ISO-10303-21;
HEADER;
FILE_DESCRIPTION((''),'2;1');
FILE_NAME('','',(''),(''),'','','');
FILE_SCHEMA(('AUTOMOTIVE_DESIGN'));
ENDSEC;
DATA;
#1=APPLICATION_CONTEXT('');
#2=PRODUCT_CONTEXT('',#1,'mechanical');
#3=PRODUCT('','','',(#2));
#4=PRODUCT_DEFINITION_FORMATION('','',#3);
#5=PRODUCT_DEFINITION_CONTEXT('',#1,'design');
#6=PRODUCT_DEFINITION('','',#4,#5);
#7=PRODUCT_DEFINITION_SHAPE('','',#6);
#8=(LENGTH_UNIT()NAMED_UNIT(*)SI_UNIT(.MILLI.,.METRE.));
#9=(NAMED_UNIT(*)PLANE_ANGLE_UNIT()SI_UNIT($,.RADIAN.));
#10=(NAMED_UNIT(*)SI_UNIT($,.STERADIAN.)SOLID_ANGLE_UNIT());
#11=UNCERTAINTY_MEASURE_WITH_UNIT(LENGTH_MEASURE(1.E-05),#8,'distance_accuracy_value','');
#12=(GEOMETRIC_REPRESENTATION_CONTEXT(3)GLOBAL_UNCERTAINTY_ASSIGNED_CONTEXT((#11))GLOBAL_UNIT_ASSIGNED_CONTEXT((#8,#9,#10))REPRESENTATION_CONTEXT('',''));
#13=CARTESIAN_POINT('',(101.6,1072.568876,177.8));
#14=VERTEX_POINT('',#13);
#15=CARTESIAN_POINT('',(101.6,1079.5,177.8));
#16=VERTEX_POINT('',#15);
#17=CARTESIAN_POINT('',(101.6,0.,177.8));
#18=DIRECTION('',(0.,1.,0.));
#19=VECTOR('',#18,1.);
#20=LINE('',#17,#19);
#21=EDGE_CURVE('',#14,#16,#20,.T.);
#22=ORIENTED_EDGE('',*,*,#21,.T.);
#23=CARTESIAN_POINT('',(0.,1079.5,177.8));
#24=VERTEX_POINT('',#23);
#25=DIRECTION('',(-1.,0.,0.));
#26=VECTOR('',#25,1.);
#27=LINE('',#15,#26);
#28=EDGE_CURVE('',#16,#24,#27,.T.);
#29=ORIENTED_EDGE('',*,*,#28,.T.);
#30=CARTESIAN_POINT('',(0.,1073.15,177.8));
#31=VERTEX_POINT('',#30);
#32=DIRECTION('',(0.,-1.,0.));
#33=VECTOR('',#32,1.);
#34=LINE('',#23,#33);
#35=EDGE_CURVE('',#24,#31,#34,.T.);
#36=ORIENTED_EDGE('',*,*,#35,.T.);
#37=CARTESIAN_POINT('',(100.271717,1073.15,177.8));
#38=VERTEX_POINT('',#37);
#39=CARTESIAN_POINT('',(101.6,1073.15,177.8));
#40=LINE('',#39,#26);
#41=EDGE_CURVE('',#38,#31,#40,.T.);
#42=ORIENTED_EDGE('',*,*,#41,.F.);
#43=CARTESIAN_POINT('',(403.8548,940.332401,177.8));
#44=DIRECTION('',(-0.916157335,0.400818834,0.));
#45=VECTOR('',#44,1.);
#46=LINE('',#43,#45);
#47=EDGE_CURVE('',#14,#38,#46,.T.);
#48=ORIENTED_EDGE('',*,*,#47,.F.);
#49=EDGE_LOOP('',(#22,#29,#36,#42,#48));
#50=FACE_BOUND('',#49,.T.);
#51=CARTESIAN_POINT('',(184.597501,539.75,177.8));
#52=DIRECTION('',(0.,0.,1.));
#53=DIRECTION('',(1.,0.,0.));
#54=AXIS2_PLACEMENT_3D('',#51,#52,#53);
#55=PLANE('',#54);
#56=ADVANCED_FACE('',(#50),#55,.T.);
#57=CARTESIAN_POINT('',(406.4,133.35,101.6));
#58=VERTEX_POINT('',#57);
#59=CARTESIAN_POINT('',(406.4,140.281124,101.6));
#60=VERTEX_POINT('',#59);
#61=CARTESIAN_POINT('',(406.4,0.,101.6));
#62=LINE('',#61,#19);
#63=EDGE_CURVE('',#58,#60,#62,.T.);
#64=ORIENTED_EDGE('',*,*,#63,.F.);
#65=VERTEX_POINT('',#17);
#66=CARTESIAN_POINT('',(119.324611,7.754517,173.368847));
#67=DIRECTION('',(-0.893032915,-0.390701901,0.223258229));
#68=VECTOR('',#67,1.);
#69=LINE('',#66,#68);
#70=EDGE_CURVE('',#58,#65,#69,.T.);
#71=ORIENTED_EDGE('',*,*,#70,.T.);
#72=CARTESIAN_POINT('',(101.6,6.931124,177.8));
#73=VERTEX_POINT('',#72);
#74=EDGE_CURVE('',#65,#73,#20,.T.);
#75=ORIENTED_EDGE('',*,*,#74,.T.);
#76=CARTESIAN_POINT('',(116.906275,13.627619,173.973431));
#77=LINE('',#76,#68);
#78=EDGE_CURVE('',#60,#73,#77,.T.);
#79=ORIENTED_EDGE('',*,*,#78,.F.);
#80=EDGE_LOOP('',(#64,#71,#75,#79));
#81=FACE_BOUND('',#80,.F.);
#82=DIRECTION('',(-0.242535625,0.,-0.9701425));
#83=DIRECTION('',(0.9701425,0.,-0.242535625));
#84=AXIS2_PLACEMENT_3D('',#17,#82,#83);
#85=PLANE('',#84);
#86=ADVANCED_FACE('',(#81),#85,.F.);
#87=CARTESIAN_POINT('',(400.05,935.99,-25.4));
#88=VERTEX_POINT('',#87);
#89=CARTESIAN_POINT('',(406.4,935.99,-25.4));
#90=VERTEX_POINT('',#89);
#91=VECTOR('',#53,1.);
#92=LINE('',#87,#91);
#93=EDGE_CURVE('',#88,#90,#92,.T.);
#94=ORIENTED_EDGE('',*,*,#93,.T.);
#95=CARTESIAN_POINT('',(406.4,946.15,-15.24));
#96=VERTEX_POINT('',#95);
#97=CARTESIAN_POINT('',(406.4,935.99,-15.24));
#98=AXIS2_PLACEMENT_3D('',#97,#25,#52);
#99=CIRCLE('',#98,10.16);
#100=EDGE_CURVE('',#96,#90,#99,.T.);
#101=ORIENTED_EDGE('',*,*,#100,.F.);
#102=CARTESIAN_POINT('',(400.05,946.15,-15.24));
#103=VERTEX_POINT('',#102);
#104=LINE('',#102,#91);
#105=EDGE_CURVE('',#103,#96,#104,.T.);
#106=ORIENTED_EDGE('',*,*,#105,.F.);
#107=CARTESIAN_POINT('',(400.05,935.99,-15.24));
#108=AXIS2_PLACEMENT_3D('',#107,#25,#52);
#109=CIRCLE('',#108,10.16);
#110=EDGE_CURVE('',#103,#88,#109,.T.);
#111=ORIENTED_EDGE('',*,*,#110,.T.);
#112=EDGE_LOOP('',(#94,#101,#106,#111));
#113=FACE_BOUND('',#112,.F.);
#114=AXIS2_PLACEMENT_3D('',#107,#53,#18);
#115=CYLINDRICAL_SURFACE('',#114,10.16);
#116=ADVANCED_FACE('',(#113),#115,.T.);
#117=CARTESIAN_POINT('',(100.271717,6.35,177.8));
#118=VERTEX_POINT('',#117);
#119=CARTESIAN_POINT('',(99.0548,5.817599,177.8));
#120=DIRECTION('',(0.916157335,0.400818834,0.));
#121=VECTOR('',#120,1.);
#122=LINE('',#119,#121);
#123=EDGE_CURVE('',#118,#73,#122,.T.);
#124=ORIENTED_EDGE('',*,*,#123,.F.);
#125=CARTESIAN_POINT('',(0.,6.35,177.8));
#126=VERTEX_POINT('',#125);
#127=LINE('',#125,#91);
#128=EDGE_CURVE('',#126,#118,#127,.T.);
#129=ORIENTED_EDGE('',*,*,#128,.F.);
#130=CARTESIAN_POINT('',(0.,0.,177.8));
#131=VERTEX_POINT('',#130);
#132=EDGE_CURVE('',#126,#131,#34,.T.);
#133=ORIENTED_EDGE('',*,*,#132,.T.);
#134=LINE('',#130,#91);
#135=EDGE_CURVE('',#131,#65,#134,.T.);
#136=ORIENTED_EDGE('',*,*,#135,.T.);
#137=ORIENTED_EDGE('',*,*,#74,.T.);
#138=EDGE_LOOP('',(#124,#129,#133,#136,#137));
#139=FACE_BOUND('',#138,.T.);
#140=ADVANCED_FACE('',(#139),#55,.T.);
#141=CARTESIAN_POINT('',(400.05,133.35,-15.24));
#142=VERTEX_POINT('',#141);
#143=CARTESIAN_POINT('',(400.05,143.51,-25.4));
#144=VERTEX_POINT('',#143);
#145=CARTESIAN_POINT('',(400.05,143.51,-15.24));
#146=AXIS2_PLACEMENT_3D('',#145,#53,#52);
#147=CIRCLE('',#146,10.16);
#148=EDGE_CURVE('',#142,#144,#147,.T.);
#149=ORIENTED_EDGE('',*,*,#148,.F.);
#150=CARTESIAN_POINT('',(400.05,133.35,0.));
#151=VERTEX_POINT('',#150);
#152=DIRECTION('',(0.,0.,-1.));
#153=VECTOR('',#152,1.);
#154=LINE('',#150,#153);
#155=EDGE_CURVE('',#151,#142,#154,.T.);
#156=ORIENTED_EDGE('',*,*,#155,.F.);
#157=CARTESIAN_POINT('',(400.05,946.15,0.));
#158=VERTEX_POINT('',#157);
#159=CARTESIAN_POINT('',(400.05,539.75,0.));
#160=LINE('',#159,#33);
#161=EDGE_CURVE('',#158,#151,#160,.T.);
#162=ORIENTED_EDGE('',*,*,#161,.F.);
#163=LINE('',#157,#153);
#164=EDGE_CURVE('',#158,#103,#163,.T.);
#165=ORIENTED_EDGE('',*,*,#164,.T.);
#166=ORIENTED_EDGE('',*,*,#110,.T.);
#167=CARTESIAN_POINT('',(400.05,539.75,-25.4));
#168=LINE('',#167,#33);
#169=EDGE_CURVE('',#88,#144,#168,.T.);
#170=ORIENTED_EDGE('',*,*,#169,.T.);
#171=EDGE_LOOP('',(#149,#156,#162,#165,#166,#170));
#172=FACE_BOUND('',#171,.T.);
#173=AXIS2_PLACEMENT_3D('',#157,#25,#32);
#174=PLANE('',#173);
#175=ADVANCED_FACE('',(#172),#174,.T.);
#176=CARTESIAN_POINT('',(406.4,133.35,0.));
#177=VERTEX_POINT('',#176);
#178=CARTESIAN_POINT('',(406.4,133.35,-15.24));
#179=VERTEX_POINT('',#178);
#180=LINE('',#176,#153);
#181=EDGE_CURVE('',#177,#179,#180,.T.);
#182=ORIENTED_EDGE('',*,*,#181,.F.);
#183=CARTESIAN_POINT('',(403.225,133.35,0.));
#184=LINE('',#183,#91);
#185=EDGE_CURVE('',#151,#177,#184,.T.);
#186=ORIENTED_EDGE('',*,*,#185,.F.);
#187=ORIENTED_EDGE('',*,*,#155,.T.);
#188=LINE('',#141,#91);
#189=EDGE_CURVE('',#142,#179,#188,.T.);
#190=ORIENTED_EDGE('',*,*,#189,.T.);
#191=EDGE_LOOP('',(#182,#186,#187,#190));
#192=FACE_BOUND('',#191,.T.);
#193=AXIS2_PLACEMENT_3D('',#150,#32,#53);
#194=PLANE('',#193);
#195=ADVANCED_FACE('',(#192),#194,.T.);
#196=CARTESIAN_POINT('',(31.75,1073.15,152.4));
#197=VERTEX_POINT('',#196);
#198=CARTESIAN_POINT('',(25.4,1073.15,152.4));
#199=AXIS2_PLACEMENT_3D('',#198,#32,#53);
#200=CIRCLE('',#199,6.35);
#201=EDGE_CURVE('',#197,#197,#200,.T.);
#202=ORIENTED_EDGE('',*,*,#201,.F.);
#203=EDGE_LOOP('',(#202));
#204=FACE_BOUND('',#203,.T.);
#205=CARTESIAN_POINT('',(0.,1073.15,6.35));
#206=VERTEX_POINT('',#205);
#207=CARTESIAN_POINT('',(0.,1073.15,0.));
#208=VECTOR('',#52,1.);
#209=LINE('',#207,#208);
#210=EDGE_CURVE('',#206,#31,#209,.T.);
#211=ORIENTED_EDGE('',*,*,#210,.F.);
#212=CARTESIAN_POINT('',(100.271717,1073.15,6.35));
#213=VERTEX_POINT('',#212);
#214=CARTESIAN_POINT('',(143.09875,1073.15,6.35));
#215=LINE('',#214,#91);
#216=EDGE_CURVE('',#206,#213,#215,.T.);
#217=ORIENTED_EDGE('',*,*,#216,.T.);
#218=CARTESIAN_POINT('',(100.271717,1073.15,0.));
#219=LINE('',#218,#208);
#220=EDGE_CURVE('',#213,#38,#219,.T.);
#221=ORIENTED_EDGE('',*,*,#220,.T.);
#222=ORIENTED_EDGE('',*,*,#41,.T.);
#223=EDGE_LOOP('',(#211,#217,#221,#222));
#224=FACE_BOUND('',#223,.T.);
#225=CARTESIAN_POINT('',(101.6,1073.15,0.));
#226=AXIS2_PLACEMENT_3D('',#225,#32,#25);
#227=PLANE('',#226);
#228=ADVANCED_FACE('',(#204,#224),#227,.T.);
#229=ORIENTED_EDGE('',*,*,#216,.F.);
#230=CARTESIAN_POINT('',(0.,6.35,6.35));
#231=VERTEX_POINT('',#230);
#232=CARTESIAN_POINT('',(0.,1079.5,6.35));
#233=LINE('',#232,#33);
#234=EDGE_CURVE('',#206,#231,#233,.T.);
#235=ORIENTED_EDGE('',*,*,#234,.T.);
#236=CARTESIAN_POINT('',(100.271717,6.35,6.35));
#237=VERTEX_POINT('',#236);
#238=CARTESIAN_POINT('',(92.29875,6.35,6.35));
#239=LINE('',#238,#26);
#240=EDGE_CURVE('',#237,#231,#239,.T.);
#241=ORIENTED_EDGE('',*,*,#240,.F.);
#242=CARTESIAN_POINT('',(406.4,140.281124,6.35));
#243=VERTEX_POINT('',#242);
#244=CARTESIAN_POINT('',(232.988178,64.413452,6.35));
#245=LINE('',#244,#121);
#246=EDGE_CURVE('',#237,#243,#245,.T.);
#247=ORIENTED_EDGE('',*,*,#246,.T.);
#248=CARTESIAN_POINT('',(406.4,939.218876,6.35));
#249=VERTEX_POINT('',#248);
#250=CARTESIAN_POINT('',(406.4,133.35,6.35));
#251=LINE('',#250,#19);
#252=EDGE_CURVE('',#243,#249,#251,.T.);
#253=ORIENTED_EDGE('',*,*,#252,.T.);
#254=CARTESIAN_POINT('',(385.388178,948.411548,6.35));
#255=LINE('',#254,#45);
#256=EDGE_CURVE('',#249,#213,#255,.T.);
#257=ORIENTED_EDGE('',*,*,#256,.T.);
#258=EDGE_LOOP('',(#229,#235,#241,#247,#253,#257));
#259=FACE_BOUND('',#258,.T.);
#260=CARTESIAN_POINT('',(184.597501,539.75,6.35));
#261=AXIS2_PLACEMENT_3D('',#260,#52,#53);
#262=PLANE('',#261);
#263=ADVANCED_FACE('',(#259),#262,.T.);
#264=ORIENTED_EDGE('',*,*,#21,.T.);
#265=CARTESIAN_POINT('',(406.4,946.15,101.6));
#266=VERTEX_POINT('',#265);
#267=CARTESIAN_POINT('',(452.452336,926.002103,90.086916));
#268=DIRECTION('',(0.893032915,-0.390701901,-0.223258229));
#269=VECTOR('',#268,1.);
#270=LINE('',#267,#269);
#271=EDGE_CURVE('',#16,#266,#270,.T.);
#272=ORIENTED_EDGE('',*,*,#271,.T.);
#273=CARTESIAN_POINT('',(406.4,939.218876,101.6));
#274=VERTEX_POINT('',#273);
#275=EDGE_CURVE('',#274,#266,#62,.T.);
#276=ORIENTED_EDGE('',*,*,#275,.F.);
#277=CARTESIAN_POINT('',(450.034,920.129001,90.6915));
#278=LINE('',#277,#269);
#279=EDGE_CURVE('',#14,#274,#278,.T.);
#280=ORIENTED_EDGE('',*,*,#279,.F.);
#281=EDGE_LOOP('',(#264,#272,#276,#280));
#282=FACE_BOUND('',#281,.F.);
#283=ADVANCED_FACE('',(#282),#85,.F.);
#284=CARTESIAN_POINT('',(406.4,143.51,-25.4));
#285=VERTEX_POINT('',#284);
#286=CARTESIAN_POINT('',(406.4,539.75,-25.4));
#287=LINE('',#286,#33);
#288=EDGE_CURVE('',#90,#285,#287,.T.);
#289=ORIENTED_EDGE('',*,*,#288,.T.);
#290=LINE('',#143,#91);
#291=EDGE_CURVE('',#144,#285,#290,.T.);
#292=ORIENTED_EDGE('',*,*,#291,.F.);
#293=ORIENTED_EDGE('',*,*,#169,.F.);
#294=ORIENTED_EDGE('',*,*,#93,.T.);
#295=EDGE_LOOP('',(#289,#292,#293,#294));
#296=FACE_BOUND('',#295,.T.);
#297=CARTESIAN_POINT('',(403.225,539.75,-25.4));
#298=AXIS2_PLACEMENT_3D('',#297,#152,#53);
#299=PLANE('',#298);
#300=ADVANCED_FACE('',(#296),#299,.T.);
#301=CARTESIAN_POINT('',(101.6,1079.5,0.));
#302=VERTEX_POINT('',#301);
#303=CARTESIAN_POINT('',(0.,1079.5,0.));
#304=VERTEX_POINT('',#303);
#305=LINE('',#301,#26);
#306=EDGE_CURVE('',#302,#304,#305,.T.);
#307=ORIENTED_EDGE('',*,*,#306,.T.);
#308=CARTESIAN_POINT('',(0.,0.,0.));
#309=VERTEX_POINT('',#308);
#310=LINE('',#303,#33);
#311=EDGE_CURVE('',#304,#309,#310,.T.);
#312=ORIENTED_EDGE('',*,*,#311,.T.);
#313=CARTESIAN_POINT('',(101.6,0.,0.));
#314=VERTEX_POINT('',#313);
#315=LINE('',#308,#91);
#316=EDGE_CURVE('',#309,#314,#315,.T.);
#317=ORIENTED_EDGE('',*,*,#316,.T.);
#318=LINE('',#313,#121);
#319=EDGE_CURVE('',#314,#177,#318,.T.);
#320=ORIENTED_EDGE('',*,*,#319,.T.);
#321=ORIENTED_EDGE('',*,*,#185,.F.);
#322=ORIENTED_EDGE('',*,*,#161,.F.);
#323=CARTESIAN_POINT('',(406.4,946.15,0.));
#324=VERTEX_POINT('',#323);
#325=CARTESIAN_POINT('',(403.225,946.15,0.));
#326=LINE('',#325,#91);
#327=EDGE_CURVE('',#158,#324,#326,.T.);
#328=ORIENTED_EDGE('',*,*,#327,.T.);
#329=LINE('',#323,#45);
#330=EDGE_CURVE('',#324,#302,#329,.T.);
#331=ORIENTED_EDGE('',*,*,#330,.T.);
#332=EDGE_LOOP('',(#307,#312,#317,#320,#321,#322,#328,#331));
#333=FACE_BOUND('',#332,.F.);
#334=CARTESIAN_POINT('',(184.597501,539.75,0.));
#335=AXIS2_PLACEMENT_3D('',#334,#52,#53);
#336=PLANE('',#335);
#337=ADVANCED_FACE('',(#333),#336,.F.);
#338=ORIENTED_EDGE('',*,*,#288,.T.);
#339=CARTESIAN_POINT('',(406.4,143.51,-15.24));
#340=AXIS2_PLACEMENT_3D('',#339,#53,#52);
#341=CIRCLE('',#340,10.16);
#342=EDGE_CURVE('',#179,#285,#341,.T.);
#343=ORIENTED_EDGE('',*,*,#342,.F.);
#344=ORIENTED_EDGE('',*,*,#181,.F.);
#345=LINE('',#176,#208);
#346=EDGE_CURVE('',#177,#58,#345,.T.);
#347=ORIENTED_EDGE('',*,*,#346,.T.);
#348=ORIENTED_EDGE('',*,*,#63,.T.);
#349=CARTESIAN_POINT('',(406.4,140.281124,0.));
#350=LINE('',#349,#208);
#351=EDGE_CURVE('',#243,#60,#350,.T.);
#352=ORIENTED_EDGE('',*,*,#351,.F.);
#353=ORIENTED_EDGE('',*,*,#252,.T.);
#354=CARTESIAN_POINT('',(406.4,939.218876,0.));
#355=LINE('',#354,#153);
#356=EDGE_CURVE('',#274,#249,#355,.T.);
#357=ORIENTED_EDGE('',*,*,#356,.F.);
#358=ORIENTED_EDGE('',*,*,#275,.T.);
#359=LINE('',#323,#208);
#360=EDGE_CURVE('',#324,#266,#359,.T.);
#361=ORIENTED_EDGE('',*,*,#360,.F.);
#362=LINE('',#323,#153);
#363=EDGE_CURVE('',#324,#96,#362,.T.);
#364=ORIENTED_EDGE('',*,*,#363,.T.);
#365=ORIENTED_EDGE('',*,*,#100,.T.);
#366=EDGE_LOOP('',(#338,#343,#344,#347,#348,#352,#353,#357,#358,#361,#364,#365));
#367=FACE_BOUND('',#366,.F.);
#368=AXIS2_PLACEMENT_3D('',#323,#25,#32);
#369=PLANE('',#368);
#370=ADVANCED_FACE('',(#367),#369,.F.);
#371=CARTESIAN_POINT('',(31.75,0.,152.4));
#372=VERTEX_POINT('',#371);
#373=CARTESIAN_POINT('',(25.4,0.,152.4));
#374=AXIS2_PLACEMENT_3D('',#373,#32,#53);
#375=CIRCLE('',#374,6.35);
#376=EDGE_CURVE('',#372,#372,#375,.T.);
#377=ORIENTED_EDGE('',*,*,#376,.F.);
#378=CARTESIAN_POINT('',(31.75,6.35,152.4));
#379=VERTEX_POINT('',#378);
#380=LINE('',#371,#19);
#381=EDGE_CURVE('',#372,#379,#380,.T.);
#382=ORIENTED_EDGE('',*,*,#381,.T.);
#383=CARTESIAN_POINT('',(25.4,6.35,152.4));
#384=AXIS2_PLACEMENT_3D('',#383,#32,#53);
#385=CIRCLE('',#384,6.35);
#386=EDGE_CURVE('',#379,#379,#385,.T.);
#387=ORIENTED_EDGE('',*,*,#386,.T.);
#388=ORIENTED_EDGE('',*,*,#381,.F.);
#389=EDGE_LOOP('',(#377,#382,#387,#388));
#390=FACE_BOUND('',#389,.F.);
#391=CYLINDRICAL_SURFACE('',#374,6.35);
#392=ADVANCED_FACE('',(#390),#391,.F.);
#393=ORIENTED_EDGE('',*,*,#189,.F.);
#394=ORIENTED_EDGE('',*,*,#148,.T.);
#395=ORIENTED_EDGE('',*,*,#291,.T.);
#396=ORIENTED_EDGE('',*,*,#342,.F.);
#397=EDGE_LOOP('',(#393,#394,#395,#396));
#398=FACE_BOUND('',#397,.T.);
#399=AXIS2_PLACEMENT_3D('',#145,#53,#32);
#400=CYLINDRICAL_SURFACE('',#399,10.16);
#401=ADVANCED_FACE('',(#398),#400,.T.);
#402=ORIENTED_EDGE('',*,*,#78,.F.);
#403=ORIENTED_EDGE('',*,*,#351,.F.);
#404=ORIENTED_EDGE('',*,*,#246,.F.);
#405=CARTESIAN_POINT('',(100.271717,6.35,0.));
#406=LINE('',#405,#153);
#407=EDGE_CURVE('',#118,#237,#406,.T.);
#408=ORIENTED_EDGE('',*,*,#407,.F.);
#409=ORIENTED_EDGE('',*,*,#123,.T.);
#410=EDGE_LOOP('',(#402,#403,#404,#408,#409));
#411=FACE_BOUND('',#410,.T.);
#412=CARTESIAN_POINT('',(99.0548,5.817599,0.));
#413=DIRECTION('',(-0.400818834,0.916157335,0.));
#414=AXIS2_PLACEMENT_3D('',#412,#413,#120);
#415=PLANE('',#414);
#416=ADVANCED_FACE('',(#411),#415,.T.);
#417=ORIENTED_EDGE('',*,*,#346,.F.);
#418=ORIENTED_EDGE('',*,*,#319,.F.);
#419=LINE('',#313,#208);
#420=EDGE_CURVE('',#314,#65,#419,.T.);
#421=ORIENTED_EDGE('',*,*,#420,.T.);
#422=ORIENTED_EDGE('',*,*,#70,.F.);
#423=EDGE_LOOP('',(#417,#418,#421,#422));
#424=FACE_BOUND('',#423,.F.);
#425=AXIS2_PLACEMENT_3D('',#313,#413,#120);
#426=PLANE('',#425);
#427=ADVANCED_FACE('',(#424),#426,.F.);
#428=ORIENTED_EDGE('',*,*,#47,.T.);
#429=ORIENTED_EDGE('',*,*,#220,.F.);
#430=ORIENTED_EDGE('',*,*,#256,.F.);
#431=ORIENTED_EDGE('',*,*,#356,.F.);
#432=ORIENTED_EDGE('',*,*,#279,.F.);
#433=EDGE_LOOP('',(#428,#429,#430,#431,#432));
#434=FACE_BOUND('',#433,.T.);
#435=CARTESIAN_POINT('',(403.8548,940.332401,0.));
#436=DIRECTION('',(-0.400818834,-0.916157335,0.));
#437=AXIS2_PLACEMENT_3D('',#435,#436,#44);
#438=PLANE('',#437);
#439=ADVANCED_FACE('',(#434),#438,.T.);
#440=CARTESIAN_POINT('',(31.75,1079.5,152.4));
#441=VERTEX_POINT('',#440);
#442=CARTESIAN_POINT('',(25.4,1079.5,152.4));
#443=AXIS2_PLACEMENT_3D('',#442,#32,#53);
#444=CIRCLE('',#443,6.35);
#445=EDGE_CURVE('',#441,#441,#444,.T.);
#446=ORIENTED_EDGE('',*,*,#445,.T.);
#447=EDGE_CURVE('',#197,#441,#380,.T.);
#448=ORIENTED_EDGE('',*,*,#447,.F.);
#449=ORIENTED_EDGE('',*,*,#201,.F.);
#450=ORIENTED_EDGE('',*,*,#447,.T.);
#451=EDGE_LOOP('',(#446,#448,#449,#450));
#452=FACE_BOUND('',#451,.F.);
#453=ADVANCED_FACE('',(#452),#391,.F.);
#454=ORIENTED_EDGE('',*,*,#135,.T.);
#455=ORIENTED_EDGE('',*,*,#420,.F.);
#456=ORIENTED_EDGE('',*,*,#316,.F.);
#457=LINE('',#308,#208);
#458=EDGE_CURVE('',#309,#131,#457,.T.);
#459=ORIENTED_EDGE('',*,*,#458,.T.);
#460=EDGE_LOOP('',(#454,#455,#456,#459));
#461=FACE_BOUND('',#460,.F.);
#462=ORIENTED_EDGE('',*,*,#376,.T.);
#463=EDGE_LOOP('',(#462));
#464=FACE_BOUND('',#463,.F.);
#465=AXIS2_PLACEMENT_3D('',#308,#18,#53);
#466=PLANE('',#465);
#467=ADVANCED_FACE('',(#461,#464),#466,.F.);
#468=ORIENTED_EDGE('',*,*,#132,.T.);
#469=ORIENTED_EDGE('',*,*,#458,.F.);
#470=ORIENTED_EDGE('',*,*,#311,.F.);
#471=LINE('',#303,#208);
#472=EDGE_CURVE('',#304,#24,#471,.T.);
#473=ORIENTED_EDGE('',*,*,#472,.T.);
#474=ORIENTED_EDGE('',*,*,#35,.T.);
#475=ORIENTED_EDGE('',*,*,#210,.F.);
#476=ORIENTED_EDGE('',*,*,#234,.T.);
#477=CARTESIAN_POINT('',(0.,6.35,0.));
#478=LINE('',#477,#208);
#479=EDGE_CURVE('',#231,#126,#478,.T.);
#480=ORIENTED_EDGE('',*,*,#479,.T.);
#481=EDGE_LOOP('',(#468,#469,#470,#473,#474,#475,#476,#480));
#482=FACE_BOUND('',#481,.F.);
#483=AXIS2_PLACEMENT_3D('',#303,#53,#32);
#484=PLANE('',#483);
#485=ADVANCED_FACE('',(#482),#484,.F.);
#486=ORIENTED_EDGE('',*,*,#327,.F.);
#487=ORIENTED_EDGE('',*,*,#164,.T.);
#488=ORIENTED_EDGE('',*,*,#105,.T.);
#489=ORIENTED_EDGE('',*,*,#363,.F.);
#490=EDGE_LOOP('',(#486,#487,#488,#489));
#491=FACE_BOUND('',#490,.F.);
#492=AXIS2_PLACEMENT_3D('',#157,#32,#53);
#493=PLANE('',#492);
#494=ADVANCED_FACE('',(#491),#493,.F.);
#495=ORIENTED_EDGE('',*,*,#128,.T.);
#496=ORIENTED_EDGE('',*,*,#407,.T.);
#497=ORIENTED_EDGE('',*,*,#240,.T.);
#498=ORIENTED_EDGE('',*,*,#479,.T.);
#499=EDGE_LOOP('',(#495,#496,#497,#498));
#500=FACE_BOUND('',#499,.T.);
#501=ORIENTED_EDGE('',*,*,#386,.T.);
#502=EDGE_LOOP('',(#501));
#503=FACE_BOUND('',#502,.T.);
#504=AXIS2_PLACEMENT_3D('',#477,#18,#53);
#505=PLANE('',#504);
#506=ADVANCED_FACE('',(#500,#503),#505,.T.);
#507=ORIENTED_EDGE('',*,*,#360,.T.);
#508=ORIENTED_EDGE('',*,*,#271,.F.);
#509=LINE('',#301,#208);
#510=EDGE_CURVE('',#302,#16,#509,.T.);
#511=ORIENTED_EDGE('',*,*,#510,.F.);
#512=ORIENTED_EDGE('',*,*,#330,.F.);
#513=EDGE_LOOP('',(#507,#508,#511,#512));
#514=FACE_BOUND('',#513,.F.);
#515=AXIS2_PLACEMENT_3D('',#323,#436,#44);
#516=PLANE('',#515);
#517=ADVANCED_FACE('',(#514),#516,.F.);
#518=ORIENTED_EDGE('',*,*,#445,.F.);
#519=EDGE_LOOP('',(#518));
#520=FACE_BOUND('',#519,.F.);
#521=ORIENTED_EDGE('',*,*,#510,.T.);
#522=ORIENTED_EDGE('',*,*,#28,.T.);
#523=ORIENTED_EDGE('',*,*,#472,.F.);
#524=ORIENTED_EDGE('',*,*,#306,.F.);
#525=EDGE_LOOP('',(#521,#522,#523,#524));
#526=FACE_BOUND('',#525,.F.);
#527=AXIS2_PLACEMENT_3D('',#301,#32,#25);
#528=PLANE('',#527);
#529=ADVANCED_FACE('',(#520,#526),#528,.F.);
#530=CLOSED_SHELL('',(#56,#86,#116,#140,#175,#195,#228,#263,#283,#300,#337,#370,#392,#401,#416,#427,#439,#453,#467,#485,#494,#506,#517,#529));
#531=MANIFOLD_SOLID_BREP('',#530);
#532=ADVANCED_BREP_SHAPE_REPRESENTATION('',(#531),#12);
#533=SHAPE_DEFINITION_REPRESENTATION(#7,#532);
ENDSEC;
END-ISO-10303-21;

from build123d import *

# Parameters (mm, degrees)
F1_DEPTH = 177.8
F2_T     = -6.35
F3_R     = 6.35
F4_DEPTH = 1079.501
F5_W     = 6.35
F5_H     = 812.8
F6_DEPTH = 25.4
F8_R     = 10.16
F9_DEPTH = 1079.501


with BuildPart() as f1:
    # F0 (on Top) → F1 (new body)
    with BuildSketch(Plane.XY):
        Polygon((0, 1079.5), (0, 0), (101.6, 0), (406.4, 133.35), (406.4, 539.75), (406.4, 946.15), (101.6, 1079.5), align=None)
    extrude(amount=F1_DEPTH)

    # F2
    f2_openings = [f1.faces().sort_by_distance(p)[0] for p in [
        (192.825932, 539.75, 177.8),
        (0, 539.75, 88.9),
        (406.4, 539.75, 88.9),
    ]]
    offset(amount=F2_T, openings=f2_openings)

    # F3 (on face) → F4 (cut, through all)
    with BuildSketch(Plane.XZ):
        with Locations((25.4, 152.4)):
            Circle(F3_R)
    extrude(amount=-F4_DEPTH, mode=Mode.SUBTRACT)

    # F5 (on face) → F6 (join)
    with BuildSketch(Plane(origin=(0, 0, 0), x_dir=(1, 0, 0), z_dir=(0, 0, -1))):
        with Locations((403.225, -539.75)):
            Rectangle(F5_W, F5_H)
    extrude(amount=F6_DEPTH)

    # F8
    f8_edges = [f1.edges().sort_by_distance(p)[0] for p in [
        (403.225, 133.35, -25.4),
        (403.225, 946.15, -25.4),
    ]]
    fillet(f8_edges, radius=F8_R)

    # F7 (on Front) → F9 (cut, through all)
    with BuildSketch(Plane.XZ):
        Polygon((406.4, 101.6), (406.4, 177.8), (101.6, 177.8), align=None)
    extrude(amount=-F9_DEPTH, mode=Mode.SUBTRACT)


solid = f1.part
